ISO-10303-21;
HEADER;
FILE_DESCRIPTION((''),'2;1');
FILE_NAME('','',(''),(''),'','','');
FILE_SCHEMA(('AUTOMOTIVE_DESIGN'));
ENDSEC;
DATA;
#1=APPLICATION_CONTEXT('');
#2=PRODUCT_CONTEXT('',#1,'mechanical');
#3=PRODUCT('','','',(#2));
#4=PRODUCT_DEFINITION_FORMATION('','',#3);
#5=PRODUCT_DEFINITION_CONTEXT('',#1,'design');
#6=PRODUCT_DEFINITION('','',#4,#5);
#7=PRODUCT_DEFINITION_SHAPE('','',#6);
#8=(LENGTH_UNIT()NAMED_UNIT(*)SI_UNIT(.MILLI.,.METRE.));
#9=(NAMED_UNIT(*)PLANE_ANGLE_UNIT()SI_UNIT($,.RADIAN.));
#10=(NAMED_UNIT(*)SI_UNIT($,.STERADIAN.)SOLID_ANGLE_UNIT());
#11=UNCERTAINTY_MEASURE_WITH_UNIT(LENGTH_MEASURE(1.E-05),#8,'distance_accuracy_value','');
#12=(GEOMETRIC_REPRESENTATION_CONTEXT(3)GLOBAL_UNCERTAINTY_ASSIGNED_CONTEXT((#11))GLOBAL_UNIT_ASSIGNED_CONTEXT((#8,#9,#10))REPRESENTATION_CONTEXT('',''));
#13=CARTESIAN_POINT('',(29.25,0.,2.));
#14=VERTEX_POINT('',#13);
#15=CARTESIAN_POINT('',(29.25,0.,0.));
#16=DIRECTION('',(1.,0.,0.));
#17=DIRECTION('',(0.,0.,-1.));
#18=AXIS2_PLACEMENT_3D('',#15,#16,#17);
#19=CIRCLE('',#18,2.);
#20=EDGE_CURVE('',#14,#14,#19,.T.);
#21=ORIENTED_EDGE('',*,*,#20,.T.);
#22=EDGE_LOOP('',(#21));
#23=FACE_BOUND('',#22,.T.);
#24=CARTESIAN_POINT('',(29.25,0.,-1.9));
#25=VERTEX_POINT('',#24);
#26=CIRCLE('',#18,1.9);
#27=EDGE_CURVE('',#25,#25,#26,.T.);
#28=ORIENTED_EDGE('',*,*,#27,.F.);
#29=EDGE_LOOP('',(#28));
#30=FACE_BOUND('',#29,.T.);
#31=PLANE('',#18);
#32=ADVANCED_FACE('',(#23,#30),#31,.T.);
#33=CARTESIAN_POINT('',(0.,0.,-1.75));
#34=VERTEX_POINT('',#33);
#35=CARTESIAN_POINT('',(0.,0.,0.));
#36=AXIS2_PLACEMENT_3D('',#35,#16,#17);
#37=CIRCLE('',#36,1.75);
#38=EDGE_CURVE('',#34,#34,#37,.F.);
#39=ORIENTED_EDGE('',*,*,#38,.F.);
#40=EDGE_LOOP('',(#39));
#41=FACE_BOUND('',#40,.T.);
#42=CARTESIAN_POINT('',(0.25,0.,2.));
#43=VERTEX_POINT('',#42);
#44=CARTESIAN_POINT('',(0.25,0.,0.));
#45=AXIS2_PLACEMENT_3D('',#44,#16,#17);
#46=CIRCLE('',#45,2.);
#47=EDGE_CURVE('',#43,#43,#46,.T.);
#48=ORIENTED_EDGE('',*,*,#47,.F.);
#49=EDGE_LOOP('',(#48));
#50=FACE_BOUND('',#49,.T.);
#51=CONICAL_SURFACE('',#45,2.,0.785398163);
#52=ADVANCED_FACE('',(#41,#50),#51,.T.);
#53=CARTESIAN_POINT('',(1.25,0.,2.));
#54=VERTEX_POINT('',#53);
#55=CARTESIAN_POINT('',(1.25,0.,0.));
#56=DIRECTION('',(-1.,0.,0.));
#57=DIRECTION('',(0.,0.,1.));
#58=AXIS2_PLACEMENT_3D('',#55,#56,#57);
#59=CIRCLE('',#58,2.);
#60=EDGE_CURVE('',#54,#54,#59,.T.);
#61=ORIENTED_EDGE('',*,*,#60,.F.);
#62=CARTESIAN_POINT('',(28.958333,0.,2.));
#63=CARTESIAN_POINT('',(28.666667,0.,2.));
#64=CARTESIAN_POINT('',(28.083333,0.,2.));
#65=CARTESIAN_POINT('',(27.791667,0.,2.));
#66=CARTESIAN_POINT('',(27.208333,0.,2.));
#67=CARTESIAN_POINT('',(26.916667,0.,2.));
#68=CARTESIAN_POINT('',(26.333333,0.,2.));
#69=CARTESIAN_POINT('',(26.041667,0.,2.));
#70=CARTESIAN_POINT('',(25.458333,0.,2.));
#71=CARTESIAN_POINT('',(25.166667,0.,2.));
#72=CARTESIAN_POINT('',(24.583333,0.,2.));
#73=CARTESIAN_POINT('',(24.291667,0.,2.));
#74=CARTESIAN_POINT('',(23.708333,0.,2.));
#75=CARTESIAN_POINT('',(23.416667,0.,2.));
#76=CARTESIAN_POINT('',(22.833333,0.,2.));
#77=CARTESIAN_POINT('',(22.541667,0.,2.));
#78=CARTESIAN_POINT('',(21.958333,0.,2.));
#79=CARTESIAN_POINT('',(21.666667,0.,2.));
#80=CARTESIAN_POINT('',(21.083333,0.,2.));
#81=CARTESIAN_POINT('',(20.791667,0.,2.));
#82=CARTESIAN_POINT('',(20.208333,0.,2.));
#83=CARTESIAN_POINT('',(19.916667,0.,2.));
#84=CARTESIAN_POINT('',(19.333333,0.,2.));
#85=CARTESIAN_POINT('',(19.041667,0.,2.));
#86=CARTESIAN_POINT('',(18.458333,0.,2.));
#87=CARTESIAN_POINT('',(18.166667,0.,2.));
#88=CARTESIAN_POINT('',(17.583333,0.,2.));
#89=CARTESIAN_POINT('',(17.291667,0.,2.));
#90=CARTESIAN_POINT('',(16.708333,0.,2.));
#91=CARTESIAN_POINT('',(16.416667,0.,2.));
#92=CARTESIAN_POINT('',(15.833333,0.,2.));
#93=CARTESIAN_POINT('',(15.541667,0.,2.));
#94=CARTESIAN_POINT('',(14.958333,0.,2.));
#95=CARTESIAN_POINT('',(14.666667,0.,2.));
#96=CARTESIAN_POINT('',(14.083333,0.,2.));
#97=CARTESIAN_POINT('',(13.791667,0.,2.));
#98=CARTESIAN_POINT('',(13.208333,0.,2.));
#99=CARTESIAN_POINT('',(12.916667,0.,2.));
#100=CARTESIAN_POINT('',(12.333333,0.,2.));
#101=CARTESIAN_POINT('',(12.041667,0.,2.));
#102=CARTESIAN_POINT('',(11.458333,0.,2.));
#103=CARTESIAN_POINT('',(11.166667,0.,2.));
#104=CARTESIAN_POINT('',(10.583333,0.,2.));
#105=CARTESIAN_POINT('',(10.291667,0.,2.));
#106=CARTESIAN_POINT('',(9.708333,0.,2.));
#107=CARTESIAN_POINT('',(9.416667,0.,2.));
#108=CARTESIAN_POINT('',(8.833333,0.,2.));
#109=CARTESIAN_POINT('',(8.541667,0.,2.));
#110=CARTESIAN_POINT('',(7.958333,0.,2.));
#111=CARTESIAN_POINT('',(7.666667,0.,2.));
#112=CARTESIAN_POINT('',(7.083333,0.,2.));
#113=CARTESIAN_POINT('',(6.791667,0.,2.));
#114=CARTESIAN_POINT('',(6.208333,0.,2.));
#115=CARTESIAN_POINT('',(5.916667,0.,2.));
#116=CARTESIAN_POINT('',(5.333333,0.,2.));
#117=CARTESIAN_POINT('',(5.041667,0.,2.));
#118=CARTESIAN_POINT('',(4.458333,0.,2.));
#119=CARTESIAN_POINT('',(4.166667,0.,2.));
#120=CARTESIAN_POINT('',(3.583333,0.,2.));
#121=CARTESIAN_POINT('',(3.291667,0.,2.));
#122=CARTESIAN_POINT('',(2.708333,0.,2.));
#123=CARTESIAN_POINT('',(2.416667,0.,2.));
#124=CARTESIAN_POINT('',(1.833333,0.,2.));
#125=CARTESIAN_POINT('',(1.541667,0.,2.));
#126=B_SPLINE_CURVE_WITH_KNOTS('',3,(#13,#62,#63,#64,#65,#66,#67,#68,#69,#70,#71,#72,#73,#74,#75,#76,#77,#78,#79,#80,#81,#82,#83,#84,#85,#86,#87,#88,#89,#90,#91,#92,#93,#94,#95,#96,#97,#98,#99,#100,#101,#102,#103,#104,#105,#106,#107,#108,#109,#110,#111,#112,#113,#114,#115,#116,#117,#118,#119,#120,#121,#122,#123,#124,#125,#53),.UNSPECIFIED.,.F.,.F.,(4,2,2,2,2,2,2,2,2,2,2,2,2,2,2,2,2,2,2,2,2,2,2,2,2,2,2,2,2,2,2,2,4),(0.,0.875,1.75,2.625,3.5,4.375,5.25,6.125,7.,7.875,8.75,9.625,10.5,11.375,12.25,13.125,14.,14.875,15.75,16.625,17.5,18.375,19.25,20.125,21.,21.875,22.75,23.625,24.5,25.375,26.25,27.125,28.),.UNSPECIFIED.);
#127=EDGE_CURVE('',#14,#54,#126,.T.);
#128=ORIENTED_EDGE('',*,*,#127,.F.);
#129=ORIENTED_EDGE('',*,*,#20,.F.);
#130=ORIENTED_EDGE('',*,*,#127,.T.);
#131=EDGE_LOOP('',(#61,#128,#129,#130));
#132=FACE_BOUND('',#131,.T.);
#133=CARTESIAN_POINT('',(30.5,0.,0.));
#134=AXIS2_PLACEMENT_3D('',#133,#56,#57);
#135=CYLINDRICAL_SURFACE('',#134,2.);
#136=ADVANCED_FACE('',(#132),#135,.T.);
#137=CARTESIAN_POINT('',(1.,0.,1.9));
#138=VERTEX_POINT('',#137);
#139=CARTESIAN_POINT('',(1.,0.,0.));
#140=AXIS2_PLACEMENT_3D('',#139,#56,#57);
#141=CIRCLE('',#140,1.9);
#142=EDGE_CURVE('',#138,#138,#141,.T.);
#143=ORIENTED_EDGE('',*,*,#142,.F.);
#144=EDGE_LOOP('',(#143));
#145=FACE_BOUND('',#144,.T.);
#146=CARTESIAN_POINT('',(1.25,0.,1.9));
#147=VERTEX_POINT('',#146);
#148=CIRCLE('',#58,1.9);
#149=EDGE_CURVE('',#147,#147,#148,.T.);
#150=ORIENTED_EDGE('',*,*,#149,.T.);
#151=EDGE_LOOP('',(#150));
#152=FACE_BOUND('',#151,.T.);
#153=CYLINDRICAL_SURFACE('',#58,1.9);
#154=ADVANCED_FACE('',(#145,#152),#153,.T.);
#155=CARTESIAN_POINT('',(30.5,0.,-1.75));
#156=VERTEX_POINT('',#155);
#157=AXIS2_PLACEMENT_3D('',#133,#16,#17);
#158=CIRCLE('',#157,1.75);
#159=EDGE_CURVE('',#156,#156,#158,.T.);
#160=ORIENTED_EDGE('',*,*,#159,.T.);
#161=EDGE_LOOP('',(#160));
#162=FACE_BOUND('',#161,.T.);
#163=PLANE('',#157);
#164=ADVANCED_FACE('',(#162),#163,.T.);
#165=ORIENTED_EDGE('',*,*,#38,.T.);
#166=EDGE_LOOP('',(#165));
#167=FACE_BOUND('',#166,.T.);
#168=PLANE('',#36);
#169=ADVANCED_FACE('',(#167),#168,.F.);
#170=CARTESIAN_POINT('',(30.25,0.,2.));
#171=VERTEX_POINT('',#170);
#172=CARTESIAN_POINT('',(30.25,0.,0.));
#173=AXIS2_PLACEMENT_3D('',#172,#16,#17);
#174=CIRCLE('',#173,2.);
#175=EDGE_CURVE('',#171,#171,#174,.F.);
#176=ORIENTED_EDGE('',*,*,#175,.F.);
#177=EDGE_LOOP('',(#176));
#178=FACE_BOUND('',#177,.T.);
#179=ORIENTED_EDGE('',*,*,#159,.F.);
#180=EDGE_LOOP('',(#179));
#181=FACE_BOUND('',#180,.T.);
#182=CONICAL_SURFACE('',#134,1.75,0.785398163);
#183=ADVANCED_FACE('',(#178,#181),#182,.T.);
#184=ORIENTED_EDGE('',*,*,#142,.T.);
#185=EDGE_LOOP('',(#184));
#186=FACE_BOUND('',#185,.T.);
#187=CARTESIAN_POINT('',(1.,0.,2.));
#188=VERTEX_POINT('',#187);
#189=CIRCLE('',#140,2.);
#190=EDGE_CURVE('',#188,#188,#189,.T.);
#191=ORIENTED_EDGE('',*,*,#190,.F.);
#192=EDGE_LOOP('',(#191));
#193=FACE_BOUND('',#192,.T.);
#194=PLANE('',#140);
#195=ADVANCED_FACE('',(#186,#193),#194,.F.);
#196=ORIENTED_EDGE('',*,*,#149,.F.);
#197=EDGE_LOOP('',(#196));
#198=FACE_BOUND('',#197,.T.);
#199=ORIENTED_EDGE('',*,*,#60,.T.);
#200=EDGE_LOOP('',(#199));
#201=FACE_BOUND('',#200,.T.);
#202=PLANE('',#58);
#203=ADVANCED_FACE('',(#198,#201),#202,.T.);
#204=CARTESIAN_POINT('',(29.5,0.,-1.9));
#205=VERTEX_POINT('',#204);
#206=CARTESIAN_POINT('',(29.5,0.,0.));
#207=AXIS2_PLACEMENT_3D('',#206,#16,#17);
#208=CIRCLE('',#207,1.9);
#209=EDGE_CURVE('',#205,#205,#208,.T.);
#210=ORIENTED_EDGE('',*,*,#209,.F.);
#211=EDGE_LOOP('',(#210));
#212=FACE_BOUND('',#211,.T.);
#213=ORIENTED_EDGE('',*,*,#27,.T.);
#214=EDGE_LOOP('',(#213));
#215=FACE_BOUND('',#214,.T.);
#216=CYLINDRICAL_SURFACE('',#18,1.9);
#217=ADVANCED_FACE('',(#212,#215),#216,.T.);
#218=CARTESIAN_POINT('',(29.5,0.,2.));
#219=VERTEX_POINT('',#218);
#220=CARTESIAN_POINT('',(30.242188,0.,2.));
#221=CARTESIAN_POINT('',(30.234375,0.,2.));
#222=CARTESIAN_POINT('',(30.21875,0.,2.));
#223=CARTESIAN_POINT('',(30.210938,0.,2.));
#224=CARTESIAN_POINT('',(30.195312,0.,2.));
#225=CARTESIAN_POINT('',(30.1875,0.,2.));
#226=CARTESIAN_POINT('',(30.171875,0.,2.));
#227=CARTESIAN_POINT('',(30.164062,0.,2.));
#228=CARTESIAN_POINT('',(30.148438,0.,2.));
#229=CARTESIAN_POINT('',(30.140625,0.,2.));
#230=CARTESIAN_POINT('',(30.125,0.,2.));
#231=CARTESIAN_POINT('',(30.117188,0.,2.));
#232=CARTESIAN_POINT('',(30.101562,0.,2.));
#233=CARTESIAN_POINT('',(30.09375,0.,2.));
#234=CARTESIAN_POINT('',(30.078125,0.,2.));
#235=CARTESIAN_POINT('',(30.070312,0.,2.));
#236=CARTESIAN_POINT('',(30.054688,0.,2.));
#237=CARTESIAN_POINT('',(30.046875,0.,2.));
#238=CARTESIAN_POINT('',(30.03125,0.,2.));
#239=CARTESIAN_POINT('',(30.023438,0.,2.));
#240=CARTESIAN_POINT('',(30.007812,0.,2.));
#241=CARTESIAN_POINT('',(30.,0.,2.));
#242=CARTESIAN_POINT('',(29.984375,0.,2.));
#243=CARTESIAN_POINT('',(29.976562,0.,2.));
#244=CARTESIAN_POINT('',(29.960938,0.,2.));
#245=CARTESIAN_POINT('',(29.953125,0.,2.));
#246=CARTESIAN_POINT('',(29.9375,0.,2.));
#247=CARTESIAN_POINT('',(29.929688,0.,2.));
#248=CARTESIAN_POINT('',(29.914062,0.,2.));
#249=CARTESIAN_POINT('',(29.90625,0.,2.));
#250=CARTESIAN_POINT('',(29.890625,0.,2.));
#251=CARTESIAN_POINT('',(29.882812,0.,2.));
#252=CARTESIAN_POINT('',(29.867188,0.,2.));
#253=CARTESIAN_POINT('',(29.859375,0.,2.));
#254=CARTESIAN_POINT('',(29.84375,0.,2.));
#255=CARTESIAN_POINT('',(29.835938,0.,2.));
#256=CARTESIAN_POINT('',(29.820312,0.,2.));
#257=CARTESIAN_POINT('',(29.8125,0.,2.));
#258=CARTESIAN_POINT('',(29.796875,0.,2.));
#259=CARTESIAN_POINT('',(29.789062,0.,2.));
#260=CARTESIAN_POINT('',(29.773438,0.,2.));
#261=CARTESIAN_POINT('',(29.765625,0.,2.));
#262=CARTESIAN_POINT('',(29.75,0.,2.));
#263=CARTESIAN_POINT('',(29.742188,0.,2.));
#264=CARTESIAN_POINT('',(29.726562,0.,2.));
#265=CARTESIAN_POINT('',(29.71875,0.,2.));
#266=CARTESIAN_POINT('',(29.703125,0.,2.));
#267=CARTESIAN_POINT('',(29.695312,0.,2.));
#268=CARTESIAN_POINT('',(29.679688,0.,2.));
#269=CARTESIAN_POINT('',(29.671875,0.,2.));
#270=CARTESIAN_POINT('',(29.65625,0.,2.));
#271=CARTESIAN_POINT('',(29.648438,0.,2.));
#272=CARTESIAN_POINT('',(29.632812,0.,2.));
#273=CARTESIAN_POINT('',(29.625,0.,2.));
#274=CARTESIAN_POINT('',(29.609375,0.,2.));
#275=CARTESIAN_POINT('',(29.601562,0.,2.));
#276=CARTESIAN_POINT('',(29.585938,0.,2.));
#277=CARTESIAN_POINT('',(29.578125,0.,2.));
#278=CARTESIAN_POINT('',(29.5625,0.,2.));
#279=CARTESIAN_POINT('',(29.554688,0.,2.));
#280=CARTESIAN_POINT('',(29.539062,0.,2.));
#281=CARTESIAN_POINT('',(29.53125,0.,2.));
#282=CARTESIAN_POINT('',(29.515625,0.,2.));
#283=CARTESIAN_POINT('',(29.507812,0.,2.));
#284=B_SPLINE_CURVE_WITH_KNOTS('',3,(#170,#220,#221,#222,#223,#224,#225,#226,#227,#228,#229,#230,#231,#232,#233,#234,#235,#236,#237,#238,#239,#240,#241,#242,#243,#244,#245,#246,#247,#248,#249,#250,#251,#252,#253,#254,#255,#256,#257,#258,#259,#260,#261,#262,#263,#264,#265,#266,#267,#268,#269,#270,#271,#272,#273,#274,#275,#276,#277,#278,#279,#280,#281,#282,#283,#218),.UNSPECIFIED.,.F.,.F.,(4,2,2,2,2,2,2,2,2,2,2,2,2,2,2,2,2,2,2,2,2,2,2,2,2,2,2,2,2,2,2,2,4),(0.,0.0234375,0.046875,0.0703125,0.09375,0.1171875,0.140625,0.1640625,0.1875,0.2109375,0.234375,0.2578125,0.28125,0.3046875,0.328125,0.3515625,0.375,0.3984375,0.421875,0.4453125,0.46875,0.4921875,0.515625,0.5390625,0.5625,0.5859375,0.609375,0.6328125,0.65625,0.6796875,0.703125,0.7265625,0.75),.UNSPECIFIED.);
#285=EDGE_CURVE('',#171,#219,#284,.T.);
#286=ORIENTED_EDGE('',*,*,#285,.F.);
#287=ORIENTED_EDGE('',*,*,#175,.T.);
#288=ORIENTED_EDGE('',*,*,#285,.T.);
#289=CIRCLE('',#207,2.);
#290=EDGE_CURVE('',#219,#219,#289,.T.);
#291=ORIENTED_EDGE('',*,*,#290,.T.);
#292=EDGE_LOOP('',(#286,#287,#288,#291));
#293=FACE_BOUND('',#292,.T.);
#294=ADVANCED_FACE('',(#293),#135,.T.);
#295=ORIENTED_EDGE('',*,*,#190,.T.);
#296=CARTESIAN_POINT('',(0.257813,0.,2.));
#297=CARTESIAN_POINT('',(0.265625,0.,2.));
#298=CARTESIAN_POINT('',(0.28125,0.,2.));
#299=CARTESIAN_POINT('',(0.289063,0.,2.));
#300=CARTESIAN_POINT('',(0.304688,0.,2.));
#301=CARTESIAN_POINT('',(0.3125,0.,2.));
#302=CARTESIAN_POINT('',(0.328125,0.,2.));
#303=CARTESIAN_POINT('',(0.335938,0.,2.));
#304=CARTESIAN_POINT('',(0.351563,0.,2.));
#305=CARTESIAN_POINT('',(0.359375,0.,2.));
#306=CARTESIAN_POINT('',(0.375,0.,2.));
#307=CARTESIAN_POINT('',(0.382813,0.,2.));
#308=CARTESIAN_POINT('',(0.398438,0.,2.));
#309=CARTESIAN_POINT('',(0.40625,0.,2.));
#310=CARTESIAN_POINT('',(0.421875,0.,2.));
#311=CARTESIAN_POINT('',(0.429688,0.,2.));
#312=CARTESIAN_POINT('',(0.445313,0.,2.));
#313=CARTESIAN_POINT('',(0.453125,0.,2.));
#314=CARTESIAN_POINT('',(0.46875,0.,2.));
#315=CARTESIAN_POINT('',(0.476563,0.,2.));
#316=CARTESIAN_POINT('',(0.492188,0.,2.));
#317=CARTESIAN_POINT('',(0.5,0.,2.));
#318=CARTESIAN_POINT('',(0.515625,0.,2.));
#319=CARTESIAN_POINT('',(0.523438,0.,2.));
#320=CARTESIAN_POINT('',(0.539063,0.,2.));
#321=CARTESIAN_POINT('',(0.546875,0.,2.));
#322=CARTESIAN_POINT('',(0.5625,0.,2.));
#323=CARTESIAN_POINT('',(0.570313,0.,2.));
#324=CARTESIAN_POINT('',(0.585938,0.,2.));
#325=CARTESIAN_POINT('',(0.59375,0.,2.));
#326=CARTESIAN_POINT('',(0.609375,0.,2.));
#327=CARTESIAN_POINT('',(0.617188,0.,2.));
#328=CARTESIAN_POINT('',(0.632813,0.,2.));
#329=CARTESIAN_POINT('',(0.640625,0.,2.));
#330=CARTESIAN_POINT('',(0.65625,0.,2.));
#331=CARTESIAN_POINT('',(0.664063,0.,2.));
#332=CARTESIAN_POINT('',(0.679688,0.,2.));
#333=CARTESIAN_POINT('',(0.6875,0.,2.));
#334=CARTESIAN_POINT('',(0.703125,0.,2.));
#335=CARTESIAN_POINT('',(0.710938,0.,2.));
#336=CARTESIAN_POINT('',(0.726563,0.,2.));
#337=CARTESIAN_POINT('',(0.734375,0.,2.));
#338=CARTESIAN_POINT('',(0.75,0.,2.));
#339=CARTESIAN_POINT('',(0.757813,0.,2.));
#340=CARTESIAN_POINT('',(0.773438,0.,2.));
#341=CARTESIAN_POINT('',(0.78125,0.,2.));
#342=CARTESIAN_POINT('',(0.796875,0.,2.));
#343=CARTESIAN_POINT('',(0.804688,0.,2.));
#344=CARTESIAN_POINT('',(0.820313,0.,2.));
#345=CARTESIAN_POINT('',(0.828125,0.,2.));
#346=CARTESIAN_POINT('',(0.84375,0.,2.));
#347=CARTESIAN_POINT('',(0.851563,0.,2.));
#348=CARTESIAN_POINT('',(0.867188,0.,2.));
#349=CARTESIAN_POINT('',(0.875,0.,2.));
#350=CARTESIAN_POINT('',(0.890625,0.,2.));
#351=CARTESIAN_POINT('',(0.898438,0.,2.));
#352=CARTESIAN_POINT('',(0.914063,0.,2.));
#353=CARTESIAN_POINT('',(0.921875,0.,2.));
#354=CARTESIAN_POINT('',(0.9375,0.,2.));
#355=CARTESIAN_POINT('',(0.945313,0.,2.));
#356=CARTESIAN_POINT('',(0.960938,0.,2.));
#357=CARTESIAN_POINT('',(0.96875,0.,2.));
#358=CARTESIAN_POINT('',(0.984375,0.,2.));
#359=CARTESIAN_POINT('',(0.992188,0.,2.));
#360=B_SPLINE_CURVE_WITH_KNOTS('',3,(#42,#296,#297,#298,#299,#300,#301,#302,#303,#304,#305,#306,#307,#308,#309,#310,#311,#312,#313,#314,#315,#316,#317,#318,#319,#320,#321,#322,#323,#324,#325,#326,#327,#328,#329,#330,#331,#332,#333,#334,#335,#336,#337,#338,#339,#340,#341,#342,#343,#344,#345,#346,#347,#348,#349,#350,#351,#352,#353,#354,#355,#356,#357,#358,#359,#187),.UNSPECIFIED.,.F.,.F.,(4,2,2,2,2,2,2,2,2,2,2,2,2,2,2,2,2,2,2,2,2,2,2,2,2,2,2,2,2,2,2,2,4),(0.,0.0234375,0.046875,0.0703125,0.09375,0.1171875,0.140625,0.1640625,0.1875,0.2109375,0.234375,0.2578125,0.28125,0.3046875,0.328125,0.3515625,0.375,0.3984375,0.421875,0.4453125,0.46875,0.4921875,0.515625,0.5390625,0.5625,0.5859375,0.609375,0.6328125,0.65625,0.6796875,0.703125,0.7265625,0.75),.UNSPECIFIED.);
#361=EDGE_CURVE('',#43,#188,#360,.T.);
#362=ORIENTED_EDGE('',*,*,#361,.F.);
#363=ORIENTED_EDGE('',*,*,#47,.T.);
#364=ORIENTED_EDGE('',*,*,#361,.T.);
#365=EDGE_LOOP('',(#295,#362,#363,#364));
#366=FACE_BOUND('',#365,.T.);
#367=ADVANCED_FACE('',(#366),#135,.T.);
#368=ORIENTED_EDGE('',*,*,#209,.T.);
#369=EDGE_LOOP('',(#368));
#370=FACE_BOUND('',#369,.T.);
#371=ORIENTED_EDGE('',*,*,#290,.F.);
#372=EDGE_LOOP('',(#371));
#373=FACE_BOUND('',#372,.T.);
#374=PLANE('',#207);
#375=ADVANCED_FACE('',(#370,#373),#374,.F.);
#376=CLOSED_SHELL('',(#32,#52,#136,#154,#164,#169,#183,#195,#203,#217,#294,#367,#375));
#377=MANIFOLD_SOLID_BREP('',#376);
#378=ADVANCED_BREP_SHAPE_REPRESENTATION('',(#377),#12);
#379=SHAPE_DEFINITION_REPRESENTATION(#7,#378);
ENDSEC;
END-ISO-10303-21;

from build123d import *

# Parameters (mm, degrees)
SKETCH1_R           = 2
BOSS_EXTRUDE1_DEPTH = 30.5
CUT_EXTRUDE2_START  = -1
SKETCH2_R           = 2.498108329
SKETCH2_R_2         = 1.9
CUT_EXTRUDE2_DEPTH  = 0.25
CUT_EXTRUDE3_START  = -1.25
SKETCH3_R           = 2.5
SKETCH3_R_2         = 1.9
CUT_EXTRUDE3_DEPTH  = 0.25
CHAMFER1_SIZE       = 0.25


with BuildPart() as part:
    # Sketch1 → Boss-Extrude1 (new body)
    with BuildSketch(Plane(origin=(0, 0, 0), x_dir=(0, 0, -1), z_dir=(1, 0, 0))):
        with Locations(Location((0, 0, 0), (0, 0, 180))):
            Circle(SKETCH1_R)
    extrude(amount=BOSS_EXTRUDE1_DEPTH)

    # Sketch2 → Cut-Extrude2 (cut)
    with BuildSketch(Plane(origin=(30.5, 0, 0), x_dir=(0, 0, -1), z_dir=(1, 0, 0)).offset(CUT_EXTRUDE2_START)):
        Circle(SKETCH2_R)
        Circle(SKETCH2_R_2, mode=Mode.SUBTRACT)
    extrude(amount=-CUT_EXTRUDE2_DEPTH, mode=Mode.SUBTRACT)

    # Sketch3 → Cut-Extrude3 (cut)
    with BuildSketch(Plane.ZY.offset(CUT_EXTRUDE3_START)):
        Circle(SKETCH3_R)
        with Locations(Location((0, 0, 0), (0, 0, 180))):
            Circle(SKETCH3_R_2, mode=Mode.SUBTRACT)
    extrude(amount=CUT_EXTRUDE3_DEPTH, mode=Mode.SUBTRACT)

    # Chamfer1
    chamfer1_edges = [part.edges().sort_by_distance(p)[0] for p in [
        (0, 0, -2),
        (30.5, 0, -2),
    ]]
    chamfer(chamfer1_edges, length=CHAMFER1_SIZE)


solid = part.part
